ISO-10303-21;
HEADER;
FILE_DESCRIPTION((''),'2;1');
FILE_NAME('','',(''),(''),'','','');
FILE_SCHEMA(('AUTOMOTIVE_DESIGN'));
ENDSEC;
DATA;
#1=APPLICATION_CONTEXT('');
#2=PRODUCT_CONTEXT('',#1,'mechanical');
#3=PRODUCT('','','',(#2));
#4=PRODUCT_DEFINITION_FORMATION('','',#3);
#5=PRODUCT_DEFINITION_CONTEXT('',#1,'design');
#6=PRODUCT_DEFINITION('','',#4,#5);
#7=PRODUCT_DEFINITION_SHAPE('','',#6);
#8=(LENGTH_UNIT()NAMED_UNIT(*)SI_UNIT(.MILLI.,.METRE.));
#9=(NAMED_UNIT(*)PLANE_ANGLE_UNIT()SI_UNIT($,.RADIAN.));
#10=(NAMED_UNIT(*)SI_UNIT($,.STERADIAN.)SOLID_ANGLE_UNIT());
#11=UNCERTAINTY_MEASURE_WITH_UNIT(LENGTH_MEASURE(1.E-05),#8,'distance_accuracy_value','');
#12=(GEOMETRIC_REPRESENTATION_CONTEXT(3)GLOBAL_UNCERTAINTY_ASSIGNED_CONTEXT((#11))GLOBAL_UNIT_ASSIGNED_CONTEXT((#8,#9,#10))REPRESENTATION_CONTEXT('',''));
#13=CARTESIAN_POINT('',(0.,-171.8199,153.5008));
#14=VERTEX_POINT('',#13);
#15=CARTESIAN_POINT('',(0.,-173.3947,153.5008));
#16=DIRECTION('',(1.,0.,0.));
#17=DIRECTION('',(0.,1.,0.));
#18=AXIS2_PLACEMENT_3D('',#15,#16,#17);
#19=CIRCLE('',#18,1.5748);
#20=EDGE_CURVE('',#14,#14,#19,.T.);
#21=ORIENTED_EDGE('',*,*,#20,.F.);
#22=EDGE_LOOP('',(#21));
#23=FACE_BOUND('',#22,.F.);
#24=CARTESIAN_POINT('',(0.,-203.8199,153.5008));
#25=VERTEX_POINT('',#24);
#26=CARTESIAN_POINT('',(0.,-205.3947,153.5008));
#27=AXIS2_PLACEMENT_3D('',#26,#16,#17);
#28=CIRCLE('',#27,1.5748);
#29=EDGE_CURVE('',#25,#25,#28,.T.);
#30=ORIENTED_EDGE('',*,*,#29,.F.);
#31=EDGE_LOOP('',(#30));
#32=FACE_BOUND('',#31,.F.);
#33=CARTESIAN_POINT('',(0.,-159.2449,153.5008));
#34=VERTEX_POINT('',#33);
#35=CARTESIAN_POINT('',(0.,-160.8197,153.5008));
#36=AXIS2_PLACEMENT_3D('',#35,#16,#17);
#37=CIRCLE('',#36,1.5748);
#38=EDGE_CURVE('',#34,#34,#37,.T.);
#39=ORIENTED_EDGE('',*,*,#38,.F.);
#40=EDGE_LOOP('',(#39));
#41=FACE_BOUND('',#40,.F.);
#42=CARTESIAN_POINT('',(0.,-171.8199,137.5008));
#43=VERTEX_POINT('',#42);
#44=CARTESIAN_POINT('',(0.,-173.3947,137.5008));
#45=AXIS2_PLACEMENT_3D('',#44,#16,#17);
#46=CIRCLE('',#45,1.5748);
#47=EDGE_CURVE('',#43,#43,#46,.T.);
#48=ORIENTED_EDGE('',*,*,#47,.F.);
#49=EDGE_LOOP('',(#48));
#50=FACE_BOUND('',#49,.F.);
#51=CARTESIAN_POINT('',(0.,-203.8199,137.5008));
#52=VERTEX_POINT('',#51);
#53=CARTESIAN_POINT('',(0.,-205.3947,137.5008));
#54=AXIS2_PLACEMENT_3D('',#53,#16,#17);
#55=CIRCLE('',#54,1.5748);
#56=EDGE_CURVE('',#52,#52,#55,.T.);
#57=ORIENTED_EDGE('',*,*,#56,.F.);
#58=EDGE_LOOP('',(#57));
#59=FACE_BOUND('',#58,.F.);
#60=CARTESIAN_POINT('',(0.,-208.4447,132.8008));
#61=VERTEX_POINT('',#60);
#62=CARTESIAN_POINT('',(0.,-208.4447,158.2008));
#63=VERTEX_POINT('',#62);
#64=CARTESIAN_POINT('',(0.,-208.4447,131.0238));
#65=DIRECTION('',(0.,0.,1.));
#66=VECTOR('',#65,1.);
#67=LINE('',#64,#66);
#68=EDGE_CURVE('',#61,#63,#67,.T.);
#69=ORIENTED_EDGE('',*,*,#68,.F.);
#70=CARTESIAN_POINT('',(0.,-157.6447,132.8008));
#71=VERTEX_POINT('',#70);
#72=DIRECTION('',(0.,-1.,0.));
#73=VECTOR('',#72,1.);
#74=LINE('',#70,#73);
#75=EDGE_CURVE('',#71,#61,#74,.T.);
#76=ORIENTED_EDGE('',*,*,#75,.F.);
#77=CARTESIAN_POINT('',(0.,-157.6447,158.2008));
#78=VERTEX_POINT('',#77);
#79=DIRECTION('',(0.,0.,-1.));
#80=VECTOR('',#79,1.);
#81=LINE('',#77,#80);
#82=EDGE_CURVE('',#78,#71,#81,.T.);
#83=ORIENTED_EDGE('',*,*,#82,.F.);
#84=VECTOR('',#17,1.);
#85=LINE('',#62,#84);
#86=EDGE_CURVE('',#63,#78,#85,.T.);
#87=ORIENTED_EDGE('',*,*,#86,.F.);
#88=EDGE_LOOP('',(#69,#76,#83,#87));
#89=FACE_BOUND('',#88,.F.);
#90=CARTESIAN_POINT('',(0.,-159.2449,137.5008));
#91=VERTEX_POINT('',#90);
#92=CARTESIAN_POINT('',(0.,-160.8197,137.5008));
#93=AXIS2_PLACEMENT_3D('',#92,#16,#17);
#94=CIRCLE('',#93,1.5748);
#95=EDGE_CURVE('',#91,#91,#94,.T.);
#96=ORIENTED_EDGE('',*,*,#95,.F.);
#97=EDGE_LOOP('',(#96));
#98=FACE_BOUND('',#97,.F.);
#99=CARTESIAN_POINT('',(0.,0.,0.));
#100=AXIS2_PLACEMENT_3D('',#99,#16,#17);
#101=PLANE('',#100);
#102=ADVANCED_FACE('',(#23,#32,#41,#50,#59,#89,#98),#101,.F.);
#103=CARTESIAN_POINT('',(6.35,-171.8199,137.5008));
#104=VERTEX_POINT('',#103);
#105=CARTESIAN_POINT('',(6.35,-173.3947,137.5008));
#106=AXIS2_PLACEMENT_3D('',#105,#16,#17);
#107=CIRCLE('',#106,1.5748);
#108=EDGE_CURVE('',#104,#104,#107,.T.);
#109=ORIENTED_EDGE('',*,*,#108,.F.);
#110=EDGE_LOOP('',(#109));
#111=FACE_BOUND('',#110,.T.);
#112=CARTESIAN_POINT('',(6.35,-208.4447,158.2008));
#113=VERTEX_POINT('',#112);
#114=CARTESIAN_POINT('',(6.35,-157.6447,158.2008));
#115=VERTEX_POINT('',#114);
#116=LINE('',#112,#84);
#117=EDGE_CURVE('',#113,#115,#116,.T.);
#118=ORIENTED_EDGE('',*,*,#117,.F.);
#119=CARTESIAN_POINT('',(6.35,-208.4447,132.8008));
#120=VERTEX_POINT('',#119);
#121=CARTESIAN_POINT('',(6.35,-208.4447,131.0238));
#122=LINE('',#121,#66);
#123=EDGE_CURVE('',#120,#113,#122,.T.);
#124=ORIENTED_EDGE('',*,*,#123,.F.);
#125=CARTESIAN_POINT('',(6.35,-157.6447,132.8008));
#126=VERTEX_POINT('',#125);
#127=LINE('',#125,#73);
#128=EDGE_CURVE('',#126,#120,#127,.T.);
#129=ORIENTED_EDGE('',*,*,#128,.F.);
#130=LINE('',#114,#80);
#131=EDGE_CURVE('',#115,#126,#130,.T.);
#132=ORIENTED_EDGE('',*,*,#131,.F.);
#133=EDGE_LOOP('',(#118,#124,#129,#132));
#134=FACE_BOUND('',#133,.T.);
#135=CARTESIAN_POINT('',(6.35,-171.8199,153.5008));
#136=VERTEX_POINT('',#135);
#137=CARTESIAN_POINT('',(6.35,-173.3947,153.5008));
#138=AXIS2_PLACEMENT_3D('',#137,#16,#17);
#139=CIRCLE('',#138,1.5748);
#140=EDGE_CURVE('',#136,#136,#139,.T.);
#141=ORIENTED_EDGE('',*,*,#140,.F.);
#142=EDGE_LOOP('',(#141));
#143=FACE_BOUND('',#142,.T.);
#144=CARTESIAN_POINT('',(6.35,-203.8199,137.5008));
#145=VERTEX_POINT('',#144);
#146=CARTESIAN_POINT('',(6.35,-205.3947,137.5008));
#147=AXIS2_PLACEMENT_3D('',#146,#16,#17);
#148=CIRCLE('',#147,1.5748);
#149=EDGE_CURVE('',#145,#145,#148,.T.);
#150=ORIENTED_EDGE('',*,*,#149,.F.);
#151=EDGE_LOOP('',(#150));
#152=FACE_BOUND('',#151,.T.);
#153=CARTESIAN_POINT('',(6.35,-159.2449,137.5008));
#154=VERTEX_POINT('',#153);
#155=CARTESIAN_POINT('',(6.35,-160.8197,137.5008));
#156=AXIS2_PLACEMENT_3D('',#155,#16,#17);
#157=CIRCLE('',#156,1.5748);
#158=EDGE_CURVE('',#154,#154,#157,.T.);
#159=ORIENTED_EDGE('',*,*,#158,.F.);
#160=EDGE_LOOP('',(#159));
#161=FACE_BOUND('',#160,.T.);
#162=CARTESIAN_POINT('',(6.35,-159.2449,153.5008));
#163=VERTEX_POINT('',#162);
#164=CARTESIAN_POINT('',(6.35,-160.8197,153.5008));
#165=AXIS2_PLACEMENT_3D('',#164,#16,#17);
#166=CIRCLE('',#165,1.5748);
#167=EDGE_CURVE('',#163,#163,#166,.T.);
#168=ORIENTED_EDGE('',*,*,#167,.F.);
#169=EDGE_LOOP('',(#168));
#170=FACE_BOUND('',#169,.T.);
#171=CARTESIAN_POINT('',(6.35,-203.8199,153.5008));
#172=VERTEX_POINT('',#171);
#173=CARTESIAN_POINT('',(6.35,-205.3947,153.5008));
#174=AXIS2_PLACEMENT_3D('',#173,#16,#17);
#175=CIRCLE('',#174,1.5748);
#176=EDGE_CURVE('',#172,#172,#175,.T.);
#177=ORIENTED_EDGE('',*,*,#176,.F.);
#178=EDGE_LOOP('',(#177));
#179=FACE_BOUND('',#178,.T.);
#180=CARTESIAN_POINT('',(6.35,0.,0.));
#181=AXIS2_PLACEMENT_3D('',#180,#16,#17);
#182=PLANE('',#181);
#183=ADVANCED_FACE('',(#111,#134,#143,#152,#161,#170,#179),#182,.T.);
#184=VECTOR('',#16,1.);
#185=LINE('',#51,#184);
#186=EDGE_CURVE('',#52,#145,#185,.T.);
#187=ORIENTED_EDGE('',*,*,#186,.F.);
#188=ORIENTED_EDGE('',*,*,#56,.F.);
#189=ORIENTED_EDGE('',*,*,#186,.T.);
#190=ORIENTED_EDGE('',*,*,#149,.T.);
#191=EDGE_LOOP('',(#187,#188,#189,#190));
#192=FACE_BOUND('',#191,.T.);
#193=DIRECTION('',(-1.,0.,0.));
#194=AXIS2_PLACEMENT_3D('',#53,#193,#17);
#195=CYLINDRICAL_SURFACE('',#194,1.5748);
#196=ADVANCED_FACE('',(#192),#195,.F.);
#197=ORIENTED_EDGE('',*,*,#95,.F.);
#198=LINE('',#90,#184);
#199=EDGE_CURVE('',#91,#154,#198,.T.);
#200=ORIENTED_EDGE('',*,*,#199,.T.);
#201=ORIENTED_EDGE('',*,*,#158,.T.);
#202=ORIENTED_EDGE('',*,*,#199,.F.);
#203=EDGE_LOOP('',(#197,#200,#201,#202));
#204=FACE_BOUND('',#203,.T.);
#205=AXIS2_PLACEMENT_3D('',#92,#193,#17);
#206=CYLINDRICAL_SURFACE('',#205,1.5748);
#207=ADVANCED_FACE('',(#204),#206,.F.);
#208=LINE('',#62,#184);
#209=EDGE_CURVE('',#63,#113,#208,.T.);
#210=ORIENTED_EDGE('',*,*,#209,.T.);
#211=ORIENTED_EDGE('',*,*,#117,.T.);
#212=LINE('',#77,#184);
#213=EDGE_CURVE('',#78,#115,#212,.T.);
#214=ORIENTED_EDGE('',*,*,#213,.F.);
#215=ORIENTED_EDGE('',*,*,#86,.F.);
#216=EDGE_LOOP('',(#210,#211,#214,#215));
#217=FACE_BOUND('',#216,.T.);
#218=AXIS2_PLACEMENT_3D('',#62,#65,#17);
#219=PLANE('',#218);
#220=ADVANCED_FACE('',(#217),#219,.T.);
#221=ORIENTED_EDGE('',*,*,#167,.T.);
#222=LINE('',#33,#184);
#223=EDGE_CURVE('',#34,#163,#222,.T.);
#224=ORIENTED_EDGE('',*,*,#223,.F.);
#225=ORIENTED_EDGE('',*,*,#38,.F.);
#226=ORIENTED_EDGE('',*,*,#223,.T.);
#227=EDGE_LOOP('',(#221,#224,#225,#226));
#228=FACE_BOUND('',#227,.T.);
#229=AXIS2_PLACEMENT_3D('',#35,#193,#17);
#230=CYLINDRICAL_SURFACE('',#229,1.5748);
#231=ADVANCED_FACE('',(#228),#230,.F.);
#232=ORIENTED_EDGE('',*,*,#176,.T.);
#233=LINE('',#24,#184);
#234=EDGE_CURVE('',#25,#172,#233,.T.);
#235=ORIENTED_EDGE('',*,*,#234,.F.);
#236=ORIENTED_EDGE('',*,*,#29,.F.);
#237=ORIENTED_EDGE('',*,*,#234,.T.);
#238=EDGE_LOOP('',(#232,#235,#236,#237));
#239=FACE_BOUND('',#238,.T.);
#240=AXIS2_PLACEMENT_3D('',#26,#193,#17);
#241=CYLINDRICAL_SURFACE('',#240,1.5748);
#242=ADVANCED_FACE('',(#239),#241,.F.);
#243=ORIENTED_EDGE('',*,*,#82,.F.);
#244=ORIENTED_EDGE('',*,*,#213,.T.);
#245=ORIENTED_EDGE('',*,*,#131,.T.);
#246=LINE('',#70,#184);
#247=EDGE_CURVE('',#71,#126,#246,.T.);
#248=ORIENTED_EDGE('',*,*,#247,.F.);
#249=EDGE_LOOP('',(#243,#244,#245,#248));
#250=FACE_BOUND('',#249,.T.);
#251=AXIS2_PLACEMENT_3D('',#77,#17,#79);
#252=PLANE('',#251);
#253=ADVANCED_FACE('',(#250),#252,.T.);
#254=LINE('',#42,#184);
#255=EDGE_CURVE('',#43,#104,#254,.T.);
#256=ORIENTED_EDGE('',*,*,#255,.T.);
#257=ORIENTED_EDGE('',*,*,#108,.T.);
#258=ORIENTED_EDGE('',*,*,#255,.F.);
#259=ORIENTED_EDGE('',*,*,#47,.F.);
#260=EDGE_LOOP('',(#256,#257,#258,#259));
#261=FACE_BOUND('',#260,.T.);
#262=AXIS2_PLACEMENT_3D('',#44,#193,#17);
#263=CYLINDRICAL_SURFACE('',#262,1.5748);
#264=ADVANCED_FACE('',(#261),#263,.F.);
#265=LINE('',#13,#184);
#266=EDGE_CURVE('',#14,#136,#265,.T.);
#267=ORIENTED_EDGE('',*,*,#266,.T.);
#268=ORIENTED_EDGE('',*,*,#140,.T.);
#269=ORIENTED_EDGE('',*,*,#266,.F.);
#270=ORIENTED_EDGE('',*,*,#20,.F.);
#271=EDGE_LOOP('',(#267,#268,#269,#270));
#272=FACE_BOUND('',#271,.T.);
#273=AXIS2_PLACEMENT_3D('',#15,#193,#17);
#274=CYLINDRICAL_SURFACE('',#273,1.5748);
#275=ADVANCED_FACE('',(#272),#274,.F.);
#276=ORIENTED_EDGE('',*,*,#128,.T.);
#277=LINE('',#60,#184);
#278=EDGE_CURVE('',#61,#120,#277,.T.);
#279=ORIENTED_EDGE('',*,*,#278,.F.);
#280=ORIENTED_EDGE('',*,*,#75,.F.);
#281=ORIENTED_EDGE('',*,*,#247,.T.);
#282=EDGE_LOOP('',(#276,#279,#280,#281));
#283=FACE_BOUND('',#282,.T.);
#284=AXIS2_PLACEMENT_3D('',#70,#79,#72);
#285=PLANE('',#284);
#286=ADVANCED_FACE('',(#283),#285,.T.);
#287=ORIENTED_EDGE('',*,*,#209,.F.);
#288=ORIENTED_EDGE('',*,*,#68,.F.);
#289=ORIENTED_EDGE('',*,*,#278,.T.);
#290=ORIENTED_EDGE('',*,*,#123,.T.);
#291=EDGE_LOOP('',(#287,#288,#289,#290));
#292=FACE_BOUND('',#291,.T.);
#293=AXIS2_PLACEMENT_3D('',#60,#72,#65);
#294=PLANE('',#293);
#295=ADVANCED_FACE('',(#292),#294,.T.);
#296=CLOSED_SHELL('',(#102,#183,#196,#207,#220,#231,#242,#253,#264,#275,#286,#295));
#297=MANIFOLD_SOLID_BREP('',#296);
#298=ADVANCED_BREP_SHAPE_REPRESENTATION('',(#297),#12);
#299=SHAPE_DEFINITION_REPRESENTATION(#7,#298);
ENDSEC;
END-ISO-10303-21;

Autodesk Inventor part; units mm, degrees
ref_plane "YZ Plane" through (0, 0, 0) normal (1, 0, 0) x (0, 1, 0)
ref_plane "XZ Plane" through (0, 0, 0) normal (0, 1, 0) x (-1, 0, 0)
ref_plane "XY Plane" through (0, 0, 0) normal (0, 0, 1) x (1, 0, 0)
sketch "Sketch1" plane through (0, 0, 0) normal (1, 0, 0) x (0, 1, 0)
  line L0 (-208.4447, 131.0238) -> (-208.4447, 170.2668) projected
  line L1 (-208.4447, 158.2008) -> (-157.6447, 158.2008)
  line L2 (-157.6447, 158.2008) -> (-157.6447, 132.8008)
  line L3 (-157.6447, 132.8008) -> (-208.4447, 132.8008)
  line L4 (-208.4447, 132.8008) -> (-208.4447, 158.2008)
  circle A0 centre (-205.3947, 153.5008) radius 1.5748
  circle A1 centre (-205.3947, 137.5008) radius 1.5748
  circle A2 centre (-160.8197, 153.5008) radius 1.5748
  circle A3 centre (-160.8197, 137.5008) radius 1.5748
  circle A4 centre (-173.3947, 153.5008) radius 1.5748
  circle A5 centre (-173.3947, 137.5008) radius 1.5748
  point P0 (0, 0)
  dimension "d0" = 50.8
  dimension "d1" = 25.4
  dimension "d2" = 16
  dimension "d4" = 4.7
  dimension "d6" = 3.1496
  dimension "d7" = 0
  dimension "d8" = 3.175
  dimension "d9" = 3.175
  dimension "d10" = 16
  dimension "d13" = 3.1496
  dimension "d14" = 3.1496
  dimension "d15" = 3.1496
  dimension "d16" = 3.1496
  dimension "d17" = 3.1496
extrude "Extrusion1" add sketch "Sketch1" along normal blind 6.35
equation "\"d6\" = d13"
equation "\"d9\" = d8"
equation "\"d10\" = d2"
equation "\"d14\" = d6"
equation "\"d15\" = d13"
equation "\"d16\" = d6"
equation "\"d17\" = d16"
properties part number "Motor mount"
